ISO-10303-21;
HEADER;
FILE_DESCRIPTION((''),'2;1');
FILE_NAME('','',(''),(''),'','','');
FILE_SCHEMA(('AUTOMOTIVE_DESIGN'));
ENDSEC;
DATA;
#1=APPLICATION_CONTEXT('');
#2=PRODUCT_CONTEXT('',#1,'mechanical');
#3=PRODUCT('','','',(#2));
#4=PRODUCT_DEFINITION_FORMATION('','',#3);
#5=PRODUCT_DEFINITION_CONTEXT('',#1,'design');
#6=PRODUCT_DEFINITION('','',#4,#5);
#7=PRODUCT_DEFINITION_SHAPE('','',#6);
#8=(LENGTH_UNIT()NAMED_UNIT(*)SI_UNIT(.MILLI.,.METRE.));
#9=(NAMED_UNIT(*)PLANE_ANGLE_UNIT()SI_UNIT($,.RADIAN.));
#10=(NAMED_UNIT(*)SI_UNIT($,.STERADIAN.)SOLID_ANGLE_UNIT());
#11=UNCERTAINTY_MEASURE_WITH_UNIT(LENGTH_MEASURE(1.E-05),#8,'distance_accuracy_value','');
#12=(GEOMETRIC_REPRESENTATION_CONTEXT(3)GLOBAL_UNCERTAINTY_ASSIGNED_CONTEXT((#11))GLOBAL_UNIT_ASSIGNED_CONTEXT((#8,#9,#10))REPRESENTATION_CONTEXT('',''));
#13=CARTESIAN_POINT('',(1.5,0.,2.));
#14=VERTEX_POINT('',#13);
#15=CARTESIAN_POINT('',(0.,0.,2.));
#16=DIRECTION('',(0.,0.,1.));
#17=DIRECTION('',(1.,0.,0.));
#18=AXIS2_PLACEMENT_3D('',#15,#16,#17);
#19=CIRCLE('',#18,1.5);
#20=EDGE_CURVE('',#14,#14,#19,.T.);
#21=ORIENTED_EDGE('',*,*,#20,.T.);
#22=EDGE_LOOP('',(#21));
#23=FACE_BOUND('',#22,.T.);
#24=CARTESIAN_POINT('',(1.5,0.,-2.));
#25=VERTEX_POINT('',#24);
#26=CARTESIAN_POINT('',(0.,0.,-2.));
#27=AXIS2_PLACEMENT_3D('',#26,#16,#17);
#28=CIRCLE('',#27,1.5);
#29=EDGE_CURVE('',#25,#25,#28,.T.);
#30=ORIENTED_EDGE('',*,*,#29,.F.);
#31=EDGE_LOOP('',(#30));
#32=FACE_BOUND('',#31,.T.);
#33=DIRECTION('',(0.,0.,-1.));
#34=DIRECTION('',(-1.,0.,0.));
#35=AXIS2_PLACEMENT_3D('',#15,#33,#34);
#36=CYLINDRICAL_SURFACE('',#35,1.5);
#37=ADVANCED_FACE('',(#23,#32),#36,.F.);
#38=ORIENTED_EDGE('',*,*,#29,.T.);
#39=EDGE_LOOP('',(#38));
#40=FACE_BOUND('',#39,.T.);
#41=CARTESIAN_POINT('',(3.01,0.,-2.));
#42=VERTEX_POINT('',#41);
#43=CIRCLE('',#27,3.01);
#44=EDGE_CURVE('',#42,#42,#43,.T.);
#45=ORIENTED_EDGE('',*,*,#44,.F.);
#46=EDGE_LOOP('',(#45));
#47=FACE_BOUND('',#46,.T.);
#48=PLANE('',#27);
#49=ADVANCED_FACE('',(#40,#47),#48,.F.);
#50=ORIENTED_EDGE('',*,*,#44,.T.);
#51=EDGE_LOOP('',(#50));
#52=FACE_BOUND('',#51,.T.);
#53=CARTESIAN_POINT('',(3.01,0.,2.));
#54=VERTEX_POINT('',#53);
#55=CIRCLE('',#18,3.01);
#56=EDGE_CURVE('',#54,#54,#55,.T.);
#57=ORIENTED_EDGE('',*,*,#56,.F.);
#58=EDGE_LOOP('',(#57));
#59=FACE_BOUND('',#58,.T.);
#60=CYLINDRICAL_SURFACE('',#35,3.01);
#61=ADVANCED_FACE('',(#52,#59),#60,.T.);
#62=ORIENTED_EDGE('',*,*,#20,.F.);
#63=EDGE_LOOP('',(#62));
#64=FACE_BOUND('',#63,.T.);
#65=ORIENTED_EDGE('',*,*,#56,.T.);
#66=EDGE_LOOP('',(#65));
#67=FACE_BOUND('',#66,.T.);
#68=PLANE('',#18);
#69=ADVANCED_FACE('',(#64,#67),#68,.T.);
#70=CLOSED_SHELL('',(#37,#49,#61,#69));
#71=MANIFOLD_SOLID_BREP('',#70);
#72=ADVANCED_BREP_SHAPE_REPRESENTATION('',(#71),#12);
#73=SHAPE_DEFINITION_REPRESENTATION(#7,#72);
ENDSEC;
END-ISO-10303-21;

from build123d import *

# Parameters (mm, degrees)
SKETCH1_R           = 3.01
SKETCH1_R_2         = 1.5
BOSS_EXTRUDE1_DEPTH = 2


with BuildPart() as part:
    # Sketch1 → Boss-Extrude1 (new, symmetric)
    with BuildSketch(Plane.XY):
        Circle(SKETCH1_R)
        Circle(SKETCH1_R_2, mode=Mode.SUBTRACT)
    extrude(amount=BOSS_EXTRUDE1_DEPTH, both=True)


solid = part.part
